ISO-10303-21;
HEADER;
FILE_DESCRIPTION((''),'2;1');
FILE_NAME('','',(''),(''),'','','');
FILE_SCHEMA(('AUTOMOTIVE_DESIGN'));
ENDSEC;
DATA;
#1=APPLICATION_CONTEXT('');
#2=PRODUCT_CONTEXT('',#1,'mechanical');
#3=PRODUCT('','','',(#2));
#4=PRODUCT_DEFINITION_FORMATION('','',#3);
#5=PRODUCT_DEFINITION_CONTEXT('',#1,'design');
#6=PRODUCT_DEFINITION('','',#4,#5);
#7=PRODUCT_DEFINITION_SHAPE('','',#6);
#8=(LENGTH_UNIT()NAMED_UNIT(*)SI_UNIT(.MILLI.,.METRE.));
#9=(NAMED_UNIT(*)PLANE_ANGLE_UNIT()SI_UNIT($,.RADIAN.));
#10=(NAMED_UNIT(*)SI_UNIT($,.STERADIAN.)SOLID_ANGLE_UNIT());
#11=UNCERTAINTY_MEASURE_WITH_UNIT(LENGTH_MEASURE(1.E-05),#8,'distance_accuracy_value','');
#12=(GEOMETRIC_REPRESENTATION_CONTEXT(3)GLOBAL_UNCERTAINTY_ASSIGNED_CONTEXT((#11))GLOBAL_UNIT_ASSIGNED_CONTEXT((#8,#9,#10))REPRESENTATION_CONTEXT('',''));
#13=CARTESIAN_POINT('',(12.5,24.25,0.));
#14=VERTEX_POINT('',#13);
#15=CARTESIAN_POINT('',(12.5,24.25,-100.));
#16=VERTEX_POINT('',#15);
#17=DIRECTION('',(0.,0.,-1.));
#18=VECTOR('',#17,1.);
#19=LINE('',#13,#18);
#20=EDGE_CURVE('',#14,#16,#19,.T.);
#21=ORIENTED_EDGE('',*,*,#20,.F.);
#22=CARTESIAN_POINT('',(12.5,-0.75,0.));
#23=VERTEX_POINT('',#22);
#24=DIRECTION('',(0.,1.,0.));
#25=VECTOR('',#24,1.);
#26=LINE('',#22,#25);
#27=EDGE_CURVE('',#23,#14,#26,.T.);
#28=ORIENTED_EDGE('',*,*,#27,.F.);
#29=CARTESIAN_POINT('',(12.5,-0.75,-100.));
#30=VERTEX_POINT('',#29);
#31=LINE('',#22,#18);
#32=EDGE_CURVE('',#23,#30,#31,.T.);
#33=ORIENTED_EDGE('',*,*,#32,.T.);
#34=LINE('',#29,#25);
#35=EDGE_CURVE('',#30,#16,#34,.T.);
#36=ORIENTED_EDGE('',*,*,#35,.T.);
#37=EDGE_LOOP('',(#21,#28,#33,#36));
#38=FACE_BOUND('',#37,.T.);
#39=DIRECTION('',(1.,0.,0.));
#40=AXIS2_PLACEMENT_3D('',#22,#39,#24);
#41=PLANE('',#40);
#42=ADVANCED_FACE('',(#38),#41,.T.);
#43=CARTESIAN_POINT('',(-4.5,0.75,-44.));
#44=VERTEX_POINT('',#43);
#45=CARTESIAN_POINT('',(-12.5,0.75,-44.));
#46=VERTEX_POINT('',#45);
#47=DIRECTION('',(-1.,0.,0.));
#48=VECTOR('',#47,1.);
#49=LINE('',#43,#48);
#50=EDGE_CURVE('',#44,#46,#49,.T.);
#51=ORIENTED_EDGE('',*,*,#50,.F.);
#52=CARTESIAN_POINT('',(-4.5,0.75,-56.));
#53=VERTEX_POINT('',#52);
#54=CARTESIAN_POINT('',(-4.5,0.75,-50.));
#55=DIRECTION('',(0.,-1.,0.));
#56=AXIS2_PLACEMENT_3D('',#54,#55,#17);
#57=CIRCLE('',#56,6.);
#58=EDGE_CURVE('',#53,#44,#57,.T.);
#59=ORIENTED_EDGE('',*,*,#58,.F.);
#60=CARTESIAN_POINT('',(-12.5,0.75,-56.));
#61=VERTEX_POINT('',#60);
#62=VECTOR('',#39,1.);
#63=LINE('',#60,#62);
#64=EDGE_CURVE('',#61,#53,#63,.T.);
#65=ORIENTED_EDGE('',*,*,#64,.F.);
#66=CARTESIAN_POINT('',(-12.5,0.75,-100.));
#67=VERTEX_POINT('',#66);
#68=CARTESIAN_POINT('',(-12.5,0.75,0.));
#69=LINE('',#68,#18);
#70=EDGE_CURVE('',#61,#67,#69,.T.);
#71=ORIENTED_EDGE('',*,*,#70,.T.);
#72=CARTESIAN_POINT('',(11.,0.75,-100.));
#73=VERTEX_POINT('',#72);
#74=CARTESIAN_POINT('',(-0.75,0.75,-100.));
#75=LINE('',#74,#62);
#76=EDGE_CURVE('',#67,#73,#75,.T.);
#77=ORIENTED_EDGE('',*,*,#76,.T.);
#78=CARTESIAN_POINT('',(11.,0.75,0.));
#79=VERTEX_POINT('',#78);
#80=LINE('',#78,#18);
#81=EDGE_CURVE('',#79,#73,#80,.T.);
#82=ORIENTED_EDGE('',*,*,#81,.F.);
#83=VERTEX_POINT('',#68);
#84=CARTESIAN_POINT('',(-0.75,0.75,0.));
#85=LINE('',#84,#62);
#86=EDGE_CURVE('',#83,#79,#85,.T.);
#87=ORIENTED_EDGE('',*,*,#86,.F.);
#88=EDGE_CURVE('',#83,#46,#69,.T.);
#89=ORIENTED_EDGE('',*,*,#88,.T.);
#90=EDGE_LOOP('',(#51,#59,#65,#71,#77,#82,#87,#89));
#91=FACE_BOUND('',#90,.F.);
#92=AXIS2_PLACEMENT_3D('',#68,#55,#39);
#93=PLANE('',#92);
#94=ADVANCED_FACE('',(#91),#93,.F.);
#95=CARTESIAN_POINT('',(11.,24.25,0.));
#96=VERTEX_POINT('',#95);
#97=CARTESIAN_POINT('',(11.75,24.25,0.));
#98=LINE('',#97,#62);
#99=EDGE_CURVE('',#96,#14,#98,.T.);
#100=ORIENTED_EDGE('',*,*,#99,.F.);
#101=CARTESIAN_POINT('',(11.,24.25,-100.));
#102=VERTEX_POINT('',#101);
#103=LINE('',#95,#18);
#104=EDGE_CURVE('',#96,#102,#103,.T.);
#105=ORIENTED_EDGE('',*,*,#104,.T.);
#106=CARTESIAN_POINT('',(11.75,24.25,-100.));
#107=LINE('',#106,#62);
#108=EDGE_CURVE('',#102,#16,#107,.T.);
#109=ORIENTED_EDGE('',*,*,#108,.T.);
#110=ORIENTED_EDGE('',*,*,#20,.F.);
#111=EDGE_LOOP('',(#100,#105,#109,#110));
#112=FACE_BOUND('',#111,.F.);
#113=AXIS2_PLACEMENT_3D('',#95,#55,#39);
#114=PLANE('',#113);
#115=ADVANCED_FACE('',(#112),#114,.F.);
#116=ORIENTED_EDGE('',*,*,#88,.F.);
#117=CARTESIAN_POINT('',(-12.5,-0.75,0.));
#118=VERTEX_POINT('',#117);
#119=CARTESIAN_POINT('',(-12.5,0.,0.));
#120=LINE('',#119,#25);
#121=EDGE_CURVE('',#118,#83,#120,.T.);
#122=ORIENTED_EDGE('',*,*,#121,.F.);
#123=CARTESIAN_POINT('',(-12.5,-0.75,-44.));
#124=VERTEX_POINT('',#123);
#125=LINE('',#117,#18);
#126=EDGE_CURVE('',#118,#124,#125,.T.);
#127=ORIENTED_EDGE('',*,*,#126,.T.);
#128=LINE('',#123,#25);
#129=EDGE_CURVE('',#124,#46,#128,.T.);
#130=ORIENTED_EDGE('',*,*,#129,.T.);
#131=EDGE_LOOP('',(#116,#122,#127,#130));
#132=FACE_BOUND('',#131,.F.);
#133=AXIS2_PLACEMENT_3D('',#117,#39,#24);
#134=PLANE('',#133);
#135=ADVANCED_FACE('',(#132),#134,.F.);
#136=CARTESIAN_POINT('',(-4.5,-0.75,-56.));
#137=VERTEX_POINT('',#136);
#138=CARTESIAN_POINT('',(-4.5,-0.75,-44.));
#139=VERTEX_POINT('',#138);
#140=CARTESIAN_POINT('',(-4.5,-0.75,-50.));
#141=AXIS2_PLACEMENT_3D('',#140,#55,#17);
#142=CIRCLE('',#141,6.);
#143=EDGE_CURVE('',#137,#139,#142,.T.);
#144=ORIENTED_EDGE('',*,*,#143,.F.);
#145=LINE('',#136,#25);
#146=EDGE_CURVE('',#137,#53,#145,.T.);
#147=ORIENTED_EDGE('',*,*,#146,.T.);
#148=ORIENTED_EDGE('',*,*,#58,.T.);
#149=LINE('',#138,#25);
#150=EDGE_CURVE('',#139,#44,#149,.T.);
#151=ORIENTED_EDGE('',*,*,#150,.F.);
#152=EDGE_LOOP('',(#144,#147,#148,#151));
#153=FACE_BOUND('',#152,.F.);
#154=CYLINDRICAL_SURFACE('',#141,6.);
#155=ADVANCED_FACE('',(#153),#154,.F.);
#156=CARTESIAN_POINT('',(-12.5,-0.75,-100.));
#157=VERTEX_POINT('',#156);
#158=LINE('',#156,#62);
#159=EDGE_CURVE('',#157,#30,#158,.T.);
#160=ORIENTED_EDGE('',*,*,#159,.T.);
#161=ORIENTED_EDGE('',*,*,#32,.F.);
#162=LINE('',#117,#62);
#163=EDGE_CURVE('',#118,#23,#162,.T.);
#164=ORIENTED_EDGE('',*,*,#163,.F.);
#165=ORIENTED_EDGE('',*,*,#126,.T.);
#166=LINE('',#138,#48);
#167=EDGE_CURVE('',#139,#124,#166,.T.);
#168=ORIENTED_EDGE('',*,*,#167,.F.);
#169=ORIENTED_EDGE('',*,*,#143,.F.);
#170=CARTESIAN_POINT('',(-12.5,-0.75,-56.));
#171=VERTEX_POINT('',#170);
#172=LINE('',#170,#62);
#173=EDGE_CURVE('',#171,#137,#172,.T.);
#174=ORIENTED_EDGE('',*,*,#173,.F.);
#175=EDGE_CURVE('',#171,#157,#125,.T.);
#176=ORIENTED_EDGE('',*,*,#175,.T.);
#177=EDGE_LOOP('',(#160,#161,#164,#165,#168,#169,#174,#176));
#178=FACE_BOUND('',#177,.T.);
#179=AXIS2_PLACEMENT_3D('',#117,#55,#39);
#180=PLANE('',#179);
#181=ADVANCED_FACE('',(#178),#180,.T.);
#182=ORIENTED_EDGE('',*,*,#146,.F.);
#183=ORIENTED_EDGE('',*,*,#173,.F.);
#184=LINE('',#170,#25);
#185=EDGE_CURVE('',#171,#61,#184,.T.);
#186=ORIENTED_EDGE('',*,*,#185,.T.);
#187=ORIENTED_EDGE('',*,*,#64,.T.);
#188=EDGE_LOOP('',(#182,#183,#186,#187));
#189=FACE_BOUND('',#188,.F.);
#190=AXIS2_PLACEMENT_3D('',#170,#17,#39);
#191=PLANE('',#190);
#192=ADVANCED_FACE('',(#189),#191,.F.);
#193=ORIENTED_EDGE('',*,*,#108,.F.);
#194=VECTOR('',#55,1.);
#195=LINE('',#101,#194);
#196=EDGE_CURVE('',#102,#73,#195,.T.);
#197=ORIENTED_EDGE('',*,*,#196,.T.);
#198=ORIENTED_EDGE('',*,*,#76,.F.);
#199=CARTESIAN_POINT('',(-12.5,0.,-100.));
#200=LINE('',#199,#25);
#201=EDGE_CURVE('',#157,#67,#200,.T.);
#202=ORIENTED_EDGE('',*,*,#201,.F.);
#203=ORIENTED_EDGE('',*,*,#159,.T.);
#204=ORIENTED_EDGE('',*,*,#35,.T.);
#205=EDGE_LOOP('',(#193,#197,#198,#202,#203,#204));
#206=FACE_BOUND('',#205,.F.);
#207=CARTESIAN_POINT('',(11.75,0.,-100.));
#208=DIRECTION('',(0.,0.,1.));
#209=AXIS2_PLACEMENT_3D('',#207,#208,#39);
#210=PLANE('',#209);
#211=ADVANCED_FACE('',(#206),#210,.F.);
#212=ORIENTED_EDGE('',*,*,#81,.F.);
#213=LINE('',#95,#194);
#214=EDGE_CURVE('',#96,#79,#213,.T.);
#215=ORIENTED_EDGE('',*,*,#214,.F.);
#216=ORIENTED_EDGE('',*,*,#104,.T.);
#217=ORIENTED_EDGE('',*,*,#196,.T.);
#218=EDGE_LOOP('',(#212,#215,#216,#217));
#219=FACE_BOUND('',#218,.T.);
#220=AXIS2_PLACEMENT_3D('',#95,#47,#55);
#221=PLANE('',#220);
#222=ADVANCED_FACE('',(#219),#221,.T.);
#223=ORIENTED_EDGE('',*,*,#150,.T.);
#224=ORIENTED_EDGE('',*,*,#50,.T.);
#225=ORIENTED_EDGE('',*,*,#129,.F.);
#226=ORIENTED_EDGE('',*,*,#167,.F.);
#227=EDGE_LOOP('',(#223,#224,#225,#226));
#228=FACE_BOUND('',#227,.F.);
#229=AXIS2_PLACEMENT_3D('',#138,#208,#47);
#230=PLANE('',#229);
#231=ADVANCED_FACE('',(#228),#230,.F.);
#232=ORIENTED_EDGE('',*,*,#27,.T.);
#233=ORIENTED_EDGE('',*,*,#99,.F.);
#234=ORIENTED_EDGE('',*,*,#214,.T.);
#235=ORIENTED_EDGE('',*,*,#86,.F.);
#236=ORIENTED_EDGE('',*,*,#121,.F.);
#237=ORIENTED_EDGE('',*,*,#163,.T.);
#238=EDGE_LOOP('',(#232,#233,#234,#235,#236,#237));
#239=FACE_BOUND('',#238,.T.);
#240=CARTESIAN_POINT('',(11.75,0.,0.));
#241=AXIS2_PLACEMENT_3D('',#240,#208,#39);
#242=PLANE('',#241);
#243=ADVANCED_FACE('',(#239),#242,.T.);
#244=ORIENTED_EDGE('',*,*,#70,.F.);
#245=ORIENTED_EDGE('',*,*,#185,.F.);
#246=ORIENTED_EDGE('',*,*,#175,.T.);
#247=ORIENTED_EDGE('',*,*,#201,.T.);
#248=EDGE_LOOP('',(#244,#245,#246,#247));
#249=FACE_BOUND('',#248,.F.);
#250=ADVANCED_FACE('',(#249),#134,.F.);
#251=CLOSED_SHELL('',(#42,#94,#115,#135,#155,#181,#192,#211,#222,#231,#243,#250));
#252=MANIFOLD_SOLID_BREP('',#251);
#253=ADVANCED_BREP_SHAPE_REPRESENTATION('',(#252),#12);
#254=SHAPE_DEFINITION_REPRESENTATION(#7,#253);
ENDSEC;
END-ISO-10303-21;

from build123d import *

# Parameters (mm, degrees)
F0_W     = 1.5
F0_H     = 1.5
F0_H_2   = 23.5
F0_W_2   = 23.5
F1_DEPTH = 100
F3_DEPTH = 1.5


with BuildPart() as f1:
    # F0 (on Top) → F1 (new body)
    with BuildSketch(Plane.XY):
        with Locations((11.75, 0)):
            Rectangle(F0_W, F0_H)
        with Locations((11.75, 12.5)):
            Rectangle(F0_W, F0_H_2)
        with Locations((-0.75, 0)):
            Rectangle(F0_W_2, F0_H)
    extrude(amount=-F1_DEPTH)

    # F2 (on face) → F3 (cut)
    with BuildSketch(Plane.XZ.offset(0.75)):
        with BuildLine():
            Line((-12.5, -56), (-4.5, -56))
            ThreePointArc((-4.5, -56), (1.5, -50), (-4.5, -44))
            Line((-4.5, -44), (-12.5, -44))
            Line((-12.5, -44), (-12.5, -56))
        make_face()
    extrude(amount=-F3_DEPTH, mode=Mode.SUBTRACT)


solid = f1.part
